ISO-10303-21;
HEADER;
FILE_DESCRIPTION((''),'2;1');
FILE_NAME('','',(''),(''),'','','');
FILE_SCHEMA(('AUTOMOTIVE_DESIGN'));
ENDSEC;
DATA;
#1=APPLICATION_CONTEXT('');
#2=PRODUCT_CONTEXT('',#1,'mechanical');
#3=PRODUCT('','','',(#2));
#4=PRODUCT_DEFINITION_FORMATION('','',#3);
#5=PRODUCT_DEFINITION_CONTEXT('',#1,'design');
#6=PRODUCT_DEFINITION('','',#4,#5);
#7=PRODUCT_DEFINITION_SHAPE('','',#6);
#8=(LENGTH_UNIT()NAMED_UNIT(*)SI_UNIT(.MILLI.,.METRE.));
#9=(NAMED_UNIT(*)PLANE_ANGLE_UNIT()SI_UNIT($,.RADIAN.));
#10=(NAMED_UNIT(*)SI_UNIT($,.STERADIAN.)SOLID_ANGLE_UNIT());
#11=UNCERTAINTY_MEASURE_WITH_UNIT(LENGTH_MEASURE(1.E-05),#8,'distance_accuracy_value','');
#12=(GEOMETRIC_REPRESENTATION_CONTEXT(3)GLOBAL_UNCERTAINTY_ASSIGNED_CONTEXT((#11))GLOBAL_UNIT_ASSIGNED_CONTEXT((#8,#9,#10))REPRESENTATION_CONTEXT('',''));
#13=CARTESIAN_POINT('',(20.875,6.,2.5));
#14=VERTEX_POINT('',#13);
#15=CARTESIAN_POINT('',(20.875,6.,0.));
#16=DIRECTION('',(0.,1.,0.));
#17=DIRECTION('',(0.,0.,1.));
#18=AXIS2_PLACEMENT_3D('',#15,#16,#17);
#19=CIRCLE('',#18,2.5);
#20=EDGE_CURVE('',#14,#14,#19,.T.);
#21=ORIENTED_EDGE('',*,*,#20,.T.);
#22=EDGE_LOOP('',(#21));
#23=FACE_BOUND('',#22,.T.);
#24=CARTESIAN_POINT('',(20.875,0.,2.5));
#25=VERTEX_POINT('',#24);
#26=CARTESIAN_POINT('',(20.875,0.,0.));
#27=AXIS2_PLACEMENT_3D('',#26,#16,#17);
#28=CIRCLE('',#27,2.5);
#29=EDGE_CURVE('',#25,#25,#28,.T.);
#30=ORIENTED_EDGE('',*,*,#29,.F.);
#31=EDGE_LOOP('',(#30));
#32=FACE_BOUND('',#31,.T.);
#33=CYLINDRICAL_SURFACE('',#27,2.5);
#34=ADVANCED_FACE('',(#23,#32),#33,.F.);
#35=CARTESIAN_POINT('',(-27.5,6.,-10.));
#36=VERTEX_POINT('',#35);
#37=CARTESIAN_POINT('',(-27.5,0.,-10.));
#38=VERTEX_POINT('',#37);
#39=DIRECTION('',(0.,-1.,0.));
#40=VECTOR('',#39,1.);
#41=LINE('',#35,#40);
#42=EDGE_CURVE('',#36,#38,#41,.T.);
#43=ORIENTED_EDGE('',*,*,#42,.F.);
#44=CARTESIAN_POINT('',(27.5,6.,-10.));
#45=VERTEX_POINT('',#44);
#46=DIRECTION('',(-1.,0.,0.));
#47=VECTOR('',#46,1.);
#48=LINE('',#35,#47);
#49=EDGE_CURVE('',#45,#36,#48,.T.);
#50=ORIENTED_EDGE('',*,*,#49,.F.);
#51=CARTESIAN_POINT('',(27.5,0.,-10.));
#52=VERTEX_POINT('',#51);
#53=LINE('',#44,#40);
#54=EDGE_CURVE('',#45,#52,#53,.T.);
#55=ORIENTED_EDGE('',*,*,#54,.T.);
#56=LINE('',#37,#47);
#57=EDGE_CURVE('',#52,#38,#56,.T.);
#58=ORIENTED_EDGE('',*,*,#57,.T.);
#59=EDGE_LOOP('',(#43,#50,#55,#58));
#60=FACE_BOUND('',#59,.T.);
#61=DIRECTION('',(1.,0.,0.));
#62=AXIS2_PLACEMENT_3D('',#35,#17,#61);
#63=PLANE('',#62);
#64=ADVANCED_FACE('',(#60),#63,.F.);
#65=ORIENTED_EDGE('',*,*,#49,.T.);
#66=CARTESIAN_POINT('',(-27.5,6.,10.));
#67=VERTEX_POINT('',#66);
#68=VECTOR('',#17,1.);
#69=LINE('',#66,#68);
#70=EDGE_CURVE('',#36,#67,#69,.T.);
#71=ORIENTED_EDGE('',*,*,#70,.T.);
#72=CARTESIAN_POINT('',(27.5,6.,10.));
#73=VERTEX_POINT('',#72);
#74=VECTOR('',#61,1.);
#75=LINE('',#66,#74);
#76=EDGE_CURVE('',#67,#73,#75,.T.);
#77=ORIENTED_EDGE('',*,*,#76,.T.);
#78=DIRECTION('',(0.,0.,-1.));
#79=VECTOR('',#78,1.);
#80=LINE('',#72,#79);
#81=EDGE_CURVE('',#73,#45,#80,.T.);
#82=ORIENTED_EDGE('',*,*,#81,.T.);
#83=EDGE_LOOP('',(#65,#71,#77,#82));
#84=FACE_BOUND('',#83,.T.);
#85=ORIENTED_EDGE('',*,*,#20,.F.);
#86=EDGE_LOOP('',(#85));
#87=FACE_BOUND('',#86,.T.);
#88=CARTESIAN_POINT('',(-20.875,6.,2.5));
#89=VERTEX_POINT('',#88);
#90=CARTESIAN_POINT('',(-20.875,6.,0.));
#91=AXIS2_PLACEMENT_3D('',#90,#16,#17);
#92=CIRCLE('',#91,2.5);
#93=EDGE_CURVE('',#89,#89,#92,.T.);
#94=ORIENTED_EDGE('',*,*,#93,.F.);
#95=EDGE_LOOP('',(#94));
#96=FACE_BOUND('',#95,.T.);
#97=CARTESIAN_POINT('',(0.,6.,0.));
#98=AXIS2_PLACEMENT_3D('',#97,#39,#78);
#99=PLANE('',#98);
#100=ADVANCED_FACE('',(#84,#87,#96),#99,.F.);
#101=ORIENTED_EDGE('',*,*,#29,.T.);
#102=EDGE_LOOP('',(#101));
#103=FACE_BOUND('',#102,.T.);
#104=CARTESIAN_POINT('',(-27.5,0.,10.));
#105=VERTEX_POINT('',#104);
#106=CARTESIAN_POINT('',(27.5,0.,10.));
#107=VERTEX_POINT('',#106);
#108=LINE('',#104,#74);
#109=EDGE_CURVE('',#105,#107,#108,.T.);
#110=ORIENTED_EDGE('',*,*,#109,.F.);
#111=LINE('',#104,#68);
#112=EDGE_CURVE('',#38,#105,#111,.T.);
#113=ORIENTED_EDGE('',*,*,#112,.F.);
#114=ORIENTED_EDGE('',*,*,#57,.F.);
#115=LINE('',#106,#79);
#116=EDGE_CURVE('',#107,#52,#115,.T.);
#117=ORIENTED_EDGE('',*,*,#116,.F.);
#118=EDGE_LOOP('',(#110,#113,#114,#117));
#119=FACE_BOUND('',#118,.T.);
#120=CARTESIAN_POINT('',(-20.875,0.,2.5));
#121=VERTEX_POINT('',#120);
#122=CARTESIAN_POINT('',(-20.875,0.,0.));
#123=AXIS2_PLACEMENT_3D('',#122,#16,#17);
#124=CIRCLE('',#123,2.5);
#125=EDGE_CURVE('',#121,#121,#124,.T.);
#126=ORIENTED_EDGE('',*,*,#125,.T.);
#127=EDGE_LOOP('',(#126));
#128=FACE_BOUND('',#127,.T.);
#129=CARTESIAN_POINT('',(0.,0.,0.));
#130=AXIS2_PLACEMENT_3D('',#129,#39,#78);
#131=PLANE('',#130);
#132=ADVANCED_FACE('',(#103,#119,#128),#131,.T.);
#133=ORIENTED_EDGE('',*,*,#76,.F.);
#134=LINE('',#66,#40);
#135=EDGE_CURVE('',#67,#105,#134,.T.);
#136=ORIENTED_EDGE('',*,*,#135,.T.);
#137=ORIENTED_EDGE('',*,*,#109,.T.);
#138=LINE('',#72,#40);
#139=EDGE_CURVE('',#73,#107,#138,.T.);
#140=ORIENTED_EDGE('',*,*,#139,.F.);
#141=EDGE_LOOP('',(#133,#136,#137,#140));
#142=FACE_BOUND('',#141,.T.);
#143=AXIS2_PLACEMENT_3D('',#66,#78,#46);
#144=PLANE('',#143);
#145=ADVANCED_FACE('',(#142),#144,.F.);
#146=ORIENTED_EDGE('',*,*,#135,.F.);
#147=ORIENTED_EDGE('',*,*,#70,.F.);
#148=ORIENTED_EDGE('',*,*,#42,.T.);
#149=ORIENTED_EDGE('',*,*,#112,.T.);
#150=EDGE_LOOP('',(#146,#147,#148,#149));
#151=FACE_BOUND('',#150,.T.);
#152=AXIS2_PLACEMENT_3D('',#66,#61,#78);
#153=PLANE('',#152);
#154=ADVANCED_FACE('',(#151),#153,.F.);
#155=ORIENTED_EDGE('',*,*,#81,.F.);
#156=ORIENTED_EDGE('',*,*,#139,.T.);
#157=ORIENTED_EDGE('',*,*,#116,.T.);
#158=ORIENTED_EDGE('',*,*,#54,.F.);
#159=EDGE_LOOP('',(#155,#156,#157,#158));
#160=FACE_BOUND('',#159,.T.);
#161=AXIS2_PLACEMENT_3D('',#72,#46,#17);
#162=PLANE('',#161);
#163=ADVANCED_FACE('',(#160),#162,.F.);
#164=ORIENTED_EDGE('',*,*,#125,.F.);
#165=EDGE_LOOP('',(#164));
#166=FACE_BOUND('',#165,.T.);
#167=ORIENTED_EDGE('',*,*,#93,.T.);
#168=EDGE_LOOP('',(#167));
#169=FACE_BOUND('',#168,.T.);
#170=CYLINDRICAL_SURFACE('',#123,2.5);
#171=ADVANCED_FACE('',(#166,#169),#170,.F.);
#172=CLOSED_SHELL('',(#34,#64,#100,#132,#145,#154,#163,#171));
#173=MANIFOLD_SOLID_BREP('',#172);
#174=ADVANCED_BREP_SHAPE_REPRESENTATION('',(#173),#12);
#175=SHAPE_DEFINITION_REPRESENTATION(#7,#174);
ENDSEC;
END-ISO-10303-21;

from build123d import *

# Parameters (mm, degrees)
SKETCH1_W           = 55
SKETCH1_H           = 20
BOSS_EXTRUDE1_DEPTH = 6
SKETCH2_R           = 2.5
CUT_EXTRUDE1_DEPTH  = 6


with BuildPart() as part:
    # Sketch1 → Boss-Extrude1 (new body)
    with BuildSketch(Plane(origin=(0, 0, 0), x_dir=(1, 0, 0), z_dir=(0, 1, 0))):
        Rectangle(SKETCH1_W, SKETCH1_H)
    extrude(amount=BOSS_EXTRUDE1_DEPTH)

    # Sketch2 → Cut-Extrude1 (cut)
    with BuildSketch(Plane(origin=(0, 6, 0), x_dir=(1, 0, 0), z_dir=(0, 1, 0))):
        with Locations((-20.875, 0)):
            Circle(SKETCH2_R)
        with Locations((20.875, 0)):
            Circle(SKETCH2_R)
    extrude(amount=-CUT_EXTRUDE1_DEPTH, mode=Mode.SUBTRACT)


solid = part.part
